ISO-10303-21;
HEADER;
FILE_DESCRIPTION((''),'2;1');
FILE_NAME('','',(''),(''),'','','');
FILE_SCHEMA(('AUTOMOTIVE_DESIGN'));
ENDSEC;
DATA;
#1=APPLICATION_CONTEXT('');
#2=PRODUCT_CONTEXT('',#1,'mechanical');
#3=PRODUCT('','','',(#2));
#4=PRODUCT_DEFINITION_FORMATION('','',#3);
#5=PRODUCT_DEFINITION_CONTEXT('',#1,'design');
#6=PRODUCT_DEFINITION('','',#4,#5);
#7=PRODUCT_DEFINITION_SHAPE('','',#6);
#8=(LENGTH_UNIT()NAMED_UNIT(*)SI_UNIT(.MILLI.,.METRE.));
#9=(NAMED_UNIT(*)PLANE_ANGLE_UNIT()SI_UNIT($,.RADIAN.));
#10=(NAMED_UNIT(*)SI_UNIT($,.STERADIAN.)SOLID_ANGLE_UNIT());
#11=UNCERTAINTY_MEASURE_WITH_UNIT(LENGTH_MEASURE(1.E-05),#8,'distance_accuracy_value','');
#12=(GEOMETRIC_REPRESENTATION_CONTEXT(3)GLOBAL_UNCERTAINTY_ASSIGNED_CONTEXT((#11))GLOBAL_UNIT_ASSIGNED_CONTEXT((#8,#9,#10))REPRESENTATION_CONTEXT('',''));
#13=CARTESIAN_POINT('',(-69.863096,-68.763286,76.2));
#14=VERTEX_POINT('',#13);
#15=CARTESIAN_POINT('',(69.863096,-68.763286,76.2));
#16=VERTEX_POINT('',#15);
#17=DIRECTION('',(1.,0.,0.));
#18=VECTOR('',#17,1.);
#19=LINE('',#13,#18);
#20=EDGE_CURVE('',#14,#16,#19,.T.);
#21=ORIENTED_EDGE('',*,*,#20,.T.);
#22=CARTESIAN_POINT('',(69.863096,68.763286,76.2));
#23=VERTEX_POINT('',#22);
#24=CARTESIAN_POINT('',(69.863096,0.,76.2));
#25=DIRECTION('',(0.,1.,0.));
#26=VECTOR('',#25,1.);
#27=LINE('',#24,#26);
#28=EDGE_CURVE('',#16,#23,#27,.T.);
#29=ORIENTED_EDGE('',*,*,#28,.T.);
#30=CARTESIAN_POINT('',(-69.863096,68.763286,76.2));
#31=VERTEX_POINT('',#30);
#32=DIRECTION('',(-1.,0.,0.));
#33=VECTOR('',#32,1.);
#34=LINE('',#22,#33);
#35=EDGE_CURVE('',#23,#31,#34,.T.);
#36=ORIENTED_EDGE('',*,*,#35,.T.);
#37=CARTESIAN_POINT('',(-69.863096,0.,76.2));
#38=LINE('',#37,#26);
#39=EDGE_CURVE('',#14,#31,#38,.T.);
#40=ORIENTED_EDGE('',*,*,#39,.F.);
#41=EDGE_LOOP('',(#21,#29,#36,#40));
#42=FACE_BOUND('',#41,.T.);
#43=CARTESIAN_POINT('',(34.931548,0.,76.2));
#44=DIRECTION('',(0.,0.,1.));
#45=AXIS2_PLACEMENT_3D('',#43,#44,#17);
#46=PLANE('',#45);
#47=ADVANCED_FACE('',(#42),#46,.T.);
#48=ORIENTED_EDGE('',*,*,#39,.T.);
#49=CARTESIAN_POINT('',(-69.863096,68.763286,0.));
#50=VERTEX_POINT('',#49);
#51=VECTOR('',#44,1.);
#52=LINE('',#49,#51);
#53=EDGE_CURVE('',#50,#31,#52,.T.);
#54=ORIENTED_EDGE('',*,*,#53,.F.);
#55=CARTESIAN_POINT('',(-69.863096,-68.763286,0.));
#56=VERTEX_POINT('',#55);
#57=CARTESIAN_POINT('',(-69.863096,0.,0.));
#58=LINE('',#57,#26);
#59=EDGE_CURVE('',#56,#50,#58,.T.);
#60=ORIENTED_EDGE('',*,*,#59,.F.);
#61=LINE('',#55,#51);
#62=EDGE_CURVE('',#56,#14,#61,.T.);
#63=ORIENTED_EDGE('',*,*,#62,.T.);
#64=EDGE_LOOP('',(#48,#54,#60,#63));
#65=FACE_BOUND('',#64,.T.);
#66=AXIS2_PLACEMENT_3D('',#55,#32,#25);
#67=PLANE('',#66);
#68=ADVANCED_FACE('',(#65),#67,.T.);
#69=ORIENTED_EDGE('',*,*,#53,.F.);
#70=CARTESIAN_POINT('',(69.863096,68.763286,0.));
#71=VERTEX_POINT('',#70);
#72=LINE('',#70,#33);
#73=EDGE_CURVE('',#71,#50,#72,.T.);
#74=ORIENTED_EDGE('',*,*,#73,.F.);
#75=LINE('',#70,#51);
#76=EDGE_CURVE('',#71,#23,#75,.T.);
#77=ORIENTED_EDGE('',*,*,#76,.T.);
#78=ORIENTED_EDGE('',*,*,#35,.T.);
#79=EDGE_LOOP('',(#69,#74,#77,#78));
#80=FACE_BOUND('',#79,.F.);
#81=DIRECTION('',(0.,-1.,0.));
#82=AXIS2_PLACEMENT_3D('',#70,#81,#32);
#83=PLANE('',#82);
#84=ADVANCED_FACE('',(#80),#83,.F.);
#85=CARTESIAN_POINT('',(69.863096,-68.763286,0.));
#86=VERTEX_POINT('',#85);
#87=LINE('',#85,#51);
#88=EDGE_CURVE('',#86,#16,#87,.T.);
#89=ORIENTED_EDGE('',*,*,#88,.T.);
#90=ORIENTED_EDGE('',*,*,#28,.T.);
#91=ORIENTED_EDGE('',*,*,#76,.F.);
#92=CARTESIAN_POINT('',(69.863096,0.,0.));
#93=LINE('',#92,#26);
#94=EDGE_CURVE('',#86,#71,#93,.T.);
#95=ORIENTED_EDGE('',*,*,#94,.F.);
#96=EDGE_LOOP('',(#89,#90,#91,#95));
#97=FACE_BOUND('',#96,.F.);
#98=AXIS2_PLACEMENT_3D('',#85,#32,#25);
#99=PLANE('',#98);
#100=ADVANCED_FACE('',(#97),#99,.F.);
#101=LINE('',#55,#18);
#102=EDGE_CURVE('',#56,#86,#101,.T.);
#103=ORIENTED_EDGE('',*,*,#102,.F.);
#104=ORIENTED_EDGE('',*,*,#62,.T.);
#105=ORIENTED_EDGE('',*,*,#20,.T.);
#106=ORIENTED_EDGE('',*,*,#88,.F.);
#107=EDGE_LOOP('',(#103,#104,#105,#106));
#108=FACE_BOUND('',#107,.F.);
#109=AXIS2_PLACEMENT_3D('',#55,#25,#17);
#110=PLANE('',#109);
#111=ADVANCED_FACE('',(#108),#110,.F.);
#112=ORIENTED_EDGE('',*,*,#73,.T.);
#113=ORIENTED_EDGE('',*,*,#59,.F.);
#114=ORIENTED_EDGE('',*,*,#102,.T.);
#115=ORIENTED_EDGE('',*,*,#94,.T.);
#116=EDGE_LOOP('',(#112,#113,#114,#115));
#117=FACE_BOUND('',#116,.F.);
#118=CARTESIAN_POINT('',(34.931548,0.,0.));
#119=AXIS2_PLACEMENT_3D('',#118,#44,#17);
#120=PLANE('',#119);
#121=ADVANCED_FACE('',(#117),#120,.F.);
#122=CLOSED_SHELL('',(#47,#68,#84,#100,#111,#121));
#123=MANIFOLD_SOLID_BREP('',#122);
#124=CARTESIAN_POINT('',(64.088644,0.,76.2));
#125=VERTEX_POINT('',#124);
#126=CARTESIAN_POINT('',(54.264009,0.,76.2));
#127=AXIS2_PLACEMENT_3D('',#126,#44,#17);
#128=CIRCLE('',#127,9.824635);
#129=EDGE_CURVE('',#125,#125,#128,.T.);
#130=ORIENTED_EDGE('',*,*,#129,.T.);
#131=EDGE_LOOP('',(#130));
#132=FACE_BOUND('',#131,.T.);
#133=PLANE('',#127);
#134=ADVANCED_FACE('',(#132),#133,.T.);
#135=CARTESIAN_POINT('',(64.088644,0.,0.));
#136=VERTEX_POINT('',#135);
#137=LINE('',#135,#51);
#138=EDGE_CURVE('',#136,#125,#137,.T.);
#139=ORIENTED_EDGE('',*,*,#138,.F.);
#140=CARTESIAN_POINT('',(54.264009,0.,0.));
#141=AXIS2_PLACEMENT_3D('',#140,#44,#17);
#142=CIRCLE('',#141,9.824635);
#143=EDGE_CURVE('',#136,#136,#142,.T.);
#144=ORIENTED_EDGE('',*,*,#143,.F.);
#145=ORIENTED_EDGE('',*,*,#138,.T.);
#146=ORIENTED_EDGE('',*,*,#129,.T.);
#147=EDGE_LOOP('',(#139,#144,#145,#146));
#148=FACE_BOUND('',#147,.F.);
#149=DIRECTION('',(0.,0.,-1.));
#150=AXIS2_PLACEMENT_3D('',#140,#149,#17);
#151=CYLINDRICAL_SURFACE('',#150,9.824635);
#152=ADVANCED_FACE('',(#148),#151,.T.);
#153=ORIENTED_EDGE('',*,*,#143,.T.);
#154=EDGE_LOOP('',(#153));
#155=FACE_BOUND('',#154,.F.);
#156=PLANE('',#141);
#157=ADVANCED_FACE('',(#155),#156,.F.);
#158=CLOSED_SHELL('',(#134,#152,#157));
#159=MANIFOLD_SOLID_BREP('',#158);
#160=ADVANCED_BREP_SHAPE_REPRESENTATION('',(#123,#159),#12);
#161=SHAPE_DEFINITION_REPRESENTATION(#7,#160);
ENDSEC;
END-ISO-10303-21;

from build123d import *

# Parameters (mm, degrees)
F1_R     = 9.8246353949
F2_DEPTH = 76.2
F0_W     = 69.8630958796
F0_H     = 137.5265717506


with BuildPart() as f2:
    # F1 (on Top) → F2 (new body)
    with BuildSketch(Plane.XY):
        with Locations((54.2640089989, 0)):
            Circle(F1_R)
    extrude(amount=F2_DEPTH)


with BuildPart() as f2b:
    # F0 (on Top) → F2, piece 2 (new body)
    with BuildSketch(Plane.XY):
        with Locations((34.9315479398, 0)):
            Rectangle(F0_W, F0_H)
        with Locations((-34.9315479398, 0)):
            Rectangle(F0_W, F0_H)
    extrude(amount=F2_DEPTH)


solid = Compound([f2.part, f2b.part])
